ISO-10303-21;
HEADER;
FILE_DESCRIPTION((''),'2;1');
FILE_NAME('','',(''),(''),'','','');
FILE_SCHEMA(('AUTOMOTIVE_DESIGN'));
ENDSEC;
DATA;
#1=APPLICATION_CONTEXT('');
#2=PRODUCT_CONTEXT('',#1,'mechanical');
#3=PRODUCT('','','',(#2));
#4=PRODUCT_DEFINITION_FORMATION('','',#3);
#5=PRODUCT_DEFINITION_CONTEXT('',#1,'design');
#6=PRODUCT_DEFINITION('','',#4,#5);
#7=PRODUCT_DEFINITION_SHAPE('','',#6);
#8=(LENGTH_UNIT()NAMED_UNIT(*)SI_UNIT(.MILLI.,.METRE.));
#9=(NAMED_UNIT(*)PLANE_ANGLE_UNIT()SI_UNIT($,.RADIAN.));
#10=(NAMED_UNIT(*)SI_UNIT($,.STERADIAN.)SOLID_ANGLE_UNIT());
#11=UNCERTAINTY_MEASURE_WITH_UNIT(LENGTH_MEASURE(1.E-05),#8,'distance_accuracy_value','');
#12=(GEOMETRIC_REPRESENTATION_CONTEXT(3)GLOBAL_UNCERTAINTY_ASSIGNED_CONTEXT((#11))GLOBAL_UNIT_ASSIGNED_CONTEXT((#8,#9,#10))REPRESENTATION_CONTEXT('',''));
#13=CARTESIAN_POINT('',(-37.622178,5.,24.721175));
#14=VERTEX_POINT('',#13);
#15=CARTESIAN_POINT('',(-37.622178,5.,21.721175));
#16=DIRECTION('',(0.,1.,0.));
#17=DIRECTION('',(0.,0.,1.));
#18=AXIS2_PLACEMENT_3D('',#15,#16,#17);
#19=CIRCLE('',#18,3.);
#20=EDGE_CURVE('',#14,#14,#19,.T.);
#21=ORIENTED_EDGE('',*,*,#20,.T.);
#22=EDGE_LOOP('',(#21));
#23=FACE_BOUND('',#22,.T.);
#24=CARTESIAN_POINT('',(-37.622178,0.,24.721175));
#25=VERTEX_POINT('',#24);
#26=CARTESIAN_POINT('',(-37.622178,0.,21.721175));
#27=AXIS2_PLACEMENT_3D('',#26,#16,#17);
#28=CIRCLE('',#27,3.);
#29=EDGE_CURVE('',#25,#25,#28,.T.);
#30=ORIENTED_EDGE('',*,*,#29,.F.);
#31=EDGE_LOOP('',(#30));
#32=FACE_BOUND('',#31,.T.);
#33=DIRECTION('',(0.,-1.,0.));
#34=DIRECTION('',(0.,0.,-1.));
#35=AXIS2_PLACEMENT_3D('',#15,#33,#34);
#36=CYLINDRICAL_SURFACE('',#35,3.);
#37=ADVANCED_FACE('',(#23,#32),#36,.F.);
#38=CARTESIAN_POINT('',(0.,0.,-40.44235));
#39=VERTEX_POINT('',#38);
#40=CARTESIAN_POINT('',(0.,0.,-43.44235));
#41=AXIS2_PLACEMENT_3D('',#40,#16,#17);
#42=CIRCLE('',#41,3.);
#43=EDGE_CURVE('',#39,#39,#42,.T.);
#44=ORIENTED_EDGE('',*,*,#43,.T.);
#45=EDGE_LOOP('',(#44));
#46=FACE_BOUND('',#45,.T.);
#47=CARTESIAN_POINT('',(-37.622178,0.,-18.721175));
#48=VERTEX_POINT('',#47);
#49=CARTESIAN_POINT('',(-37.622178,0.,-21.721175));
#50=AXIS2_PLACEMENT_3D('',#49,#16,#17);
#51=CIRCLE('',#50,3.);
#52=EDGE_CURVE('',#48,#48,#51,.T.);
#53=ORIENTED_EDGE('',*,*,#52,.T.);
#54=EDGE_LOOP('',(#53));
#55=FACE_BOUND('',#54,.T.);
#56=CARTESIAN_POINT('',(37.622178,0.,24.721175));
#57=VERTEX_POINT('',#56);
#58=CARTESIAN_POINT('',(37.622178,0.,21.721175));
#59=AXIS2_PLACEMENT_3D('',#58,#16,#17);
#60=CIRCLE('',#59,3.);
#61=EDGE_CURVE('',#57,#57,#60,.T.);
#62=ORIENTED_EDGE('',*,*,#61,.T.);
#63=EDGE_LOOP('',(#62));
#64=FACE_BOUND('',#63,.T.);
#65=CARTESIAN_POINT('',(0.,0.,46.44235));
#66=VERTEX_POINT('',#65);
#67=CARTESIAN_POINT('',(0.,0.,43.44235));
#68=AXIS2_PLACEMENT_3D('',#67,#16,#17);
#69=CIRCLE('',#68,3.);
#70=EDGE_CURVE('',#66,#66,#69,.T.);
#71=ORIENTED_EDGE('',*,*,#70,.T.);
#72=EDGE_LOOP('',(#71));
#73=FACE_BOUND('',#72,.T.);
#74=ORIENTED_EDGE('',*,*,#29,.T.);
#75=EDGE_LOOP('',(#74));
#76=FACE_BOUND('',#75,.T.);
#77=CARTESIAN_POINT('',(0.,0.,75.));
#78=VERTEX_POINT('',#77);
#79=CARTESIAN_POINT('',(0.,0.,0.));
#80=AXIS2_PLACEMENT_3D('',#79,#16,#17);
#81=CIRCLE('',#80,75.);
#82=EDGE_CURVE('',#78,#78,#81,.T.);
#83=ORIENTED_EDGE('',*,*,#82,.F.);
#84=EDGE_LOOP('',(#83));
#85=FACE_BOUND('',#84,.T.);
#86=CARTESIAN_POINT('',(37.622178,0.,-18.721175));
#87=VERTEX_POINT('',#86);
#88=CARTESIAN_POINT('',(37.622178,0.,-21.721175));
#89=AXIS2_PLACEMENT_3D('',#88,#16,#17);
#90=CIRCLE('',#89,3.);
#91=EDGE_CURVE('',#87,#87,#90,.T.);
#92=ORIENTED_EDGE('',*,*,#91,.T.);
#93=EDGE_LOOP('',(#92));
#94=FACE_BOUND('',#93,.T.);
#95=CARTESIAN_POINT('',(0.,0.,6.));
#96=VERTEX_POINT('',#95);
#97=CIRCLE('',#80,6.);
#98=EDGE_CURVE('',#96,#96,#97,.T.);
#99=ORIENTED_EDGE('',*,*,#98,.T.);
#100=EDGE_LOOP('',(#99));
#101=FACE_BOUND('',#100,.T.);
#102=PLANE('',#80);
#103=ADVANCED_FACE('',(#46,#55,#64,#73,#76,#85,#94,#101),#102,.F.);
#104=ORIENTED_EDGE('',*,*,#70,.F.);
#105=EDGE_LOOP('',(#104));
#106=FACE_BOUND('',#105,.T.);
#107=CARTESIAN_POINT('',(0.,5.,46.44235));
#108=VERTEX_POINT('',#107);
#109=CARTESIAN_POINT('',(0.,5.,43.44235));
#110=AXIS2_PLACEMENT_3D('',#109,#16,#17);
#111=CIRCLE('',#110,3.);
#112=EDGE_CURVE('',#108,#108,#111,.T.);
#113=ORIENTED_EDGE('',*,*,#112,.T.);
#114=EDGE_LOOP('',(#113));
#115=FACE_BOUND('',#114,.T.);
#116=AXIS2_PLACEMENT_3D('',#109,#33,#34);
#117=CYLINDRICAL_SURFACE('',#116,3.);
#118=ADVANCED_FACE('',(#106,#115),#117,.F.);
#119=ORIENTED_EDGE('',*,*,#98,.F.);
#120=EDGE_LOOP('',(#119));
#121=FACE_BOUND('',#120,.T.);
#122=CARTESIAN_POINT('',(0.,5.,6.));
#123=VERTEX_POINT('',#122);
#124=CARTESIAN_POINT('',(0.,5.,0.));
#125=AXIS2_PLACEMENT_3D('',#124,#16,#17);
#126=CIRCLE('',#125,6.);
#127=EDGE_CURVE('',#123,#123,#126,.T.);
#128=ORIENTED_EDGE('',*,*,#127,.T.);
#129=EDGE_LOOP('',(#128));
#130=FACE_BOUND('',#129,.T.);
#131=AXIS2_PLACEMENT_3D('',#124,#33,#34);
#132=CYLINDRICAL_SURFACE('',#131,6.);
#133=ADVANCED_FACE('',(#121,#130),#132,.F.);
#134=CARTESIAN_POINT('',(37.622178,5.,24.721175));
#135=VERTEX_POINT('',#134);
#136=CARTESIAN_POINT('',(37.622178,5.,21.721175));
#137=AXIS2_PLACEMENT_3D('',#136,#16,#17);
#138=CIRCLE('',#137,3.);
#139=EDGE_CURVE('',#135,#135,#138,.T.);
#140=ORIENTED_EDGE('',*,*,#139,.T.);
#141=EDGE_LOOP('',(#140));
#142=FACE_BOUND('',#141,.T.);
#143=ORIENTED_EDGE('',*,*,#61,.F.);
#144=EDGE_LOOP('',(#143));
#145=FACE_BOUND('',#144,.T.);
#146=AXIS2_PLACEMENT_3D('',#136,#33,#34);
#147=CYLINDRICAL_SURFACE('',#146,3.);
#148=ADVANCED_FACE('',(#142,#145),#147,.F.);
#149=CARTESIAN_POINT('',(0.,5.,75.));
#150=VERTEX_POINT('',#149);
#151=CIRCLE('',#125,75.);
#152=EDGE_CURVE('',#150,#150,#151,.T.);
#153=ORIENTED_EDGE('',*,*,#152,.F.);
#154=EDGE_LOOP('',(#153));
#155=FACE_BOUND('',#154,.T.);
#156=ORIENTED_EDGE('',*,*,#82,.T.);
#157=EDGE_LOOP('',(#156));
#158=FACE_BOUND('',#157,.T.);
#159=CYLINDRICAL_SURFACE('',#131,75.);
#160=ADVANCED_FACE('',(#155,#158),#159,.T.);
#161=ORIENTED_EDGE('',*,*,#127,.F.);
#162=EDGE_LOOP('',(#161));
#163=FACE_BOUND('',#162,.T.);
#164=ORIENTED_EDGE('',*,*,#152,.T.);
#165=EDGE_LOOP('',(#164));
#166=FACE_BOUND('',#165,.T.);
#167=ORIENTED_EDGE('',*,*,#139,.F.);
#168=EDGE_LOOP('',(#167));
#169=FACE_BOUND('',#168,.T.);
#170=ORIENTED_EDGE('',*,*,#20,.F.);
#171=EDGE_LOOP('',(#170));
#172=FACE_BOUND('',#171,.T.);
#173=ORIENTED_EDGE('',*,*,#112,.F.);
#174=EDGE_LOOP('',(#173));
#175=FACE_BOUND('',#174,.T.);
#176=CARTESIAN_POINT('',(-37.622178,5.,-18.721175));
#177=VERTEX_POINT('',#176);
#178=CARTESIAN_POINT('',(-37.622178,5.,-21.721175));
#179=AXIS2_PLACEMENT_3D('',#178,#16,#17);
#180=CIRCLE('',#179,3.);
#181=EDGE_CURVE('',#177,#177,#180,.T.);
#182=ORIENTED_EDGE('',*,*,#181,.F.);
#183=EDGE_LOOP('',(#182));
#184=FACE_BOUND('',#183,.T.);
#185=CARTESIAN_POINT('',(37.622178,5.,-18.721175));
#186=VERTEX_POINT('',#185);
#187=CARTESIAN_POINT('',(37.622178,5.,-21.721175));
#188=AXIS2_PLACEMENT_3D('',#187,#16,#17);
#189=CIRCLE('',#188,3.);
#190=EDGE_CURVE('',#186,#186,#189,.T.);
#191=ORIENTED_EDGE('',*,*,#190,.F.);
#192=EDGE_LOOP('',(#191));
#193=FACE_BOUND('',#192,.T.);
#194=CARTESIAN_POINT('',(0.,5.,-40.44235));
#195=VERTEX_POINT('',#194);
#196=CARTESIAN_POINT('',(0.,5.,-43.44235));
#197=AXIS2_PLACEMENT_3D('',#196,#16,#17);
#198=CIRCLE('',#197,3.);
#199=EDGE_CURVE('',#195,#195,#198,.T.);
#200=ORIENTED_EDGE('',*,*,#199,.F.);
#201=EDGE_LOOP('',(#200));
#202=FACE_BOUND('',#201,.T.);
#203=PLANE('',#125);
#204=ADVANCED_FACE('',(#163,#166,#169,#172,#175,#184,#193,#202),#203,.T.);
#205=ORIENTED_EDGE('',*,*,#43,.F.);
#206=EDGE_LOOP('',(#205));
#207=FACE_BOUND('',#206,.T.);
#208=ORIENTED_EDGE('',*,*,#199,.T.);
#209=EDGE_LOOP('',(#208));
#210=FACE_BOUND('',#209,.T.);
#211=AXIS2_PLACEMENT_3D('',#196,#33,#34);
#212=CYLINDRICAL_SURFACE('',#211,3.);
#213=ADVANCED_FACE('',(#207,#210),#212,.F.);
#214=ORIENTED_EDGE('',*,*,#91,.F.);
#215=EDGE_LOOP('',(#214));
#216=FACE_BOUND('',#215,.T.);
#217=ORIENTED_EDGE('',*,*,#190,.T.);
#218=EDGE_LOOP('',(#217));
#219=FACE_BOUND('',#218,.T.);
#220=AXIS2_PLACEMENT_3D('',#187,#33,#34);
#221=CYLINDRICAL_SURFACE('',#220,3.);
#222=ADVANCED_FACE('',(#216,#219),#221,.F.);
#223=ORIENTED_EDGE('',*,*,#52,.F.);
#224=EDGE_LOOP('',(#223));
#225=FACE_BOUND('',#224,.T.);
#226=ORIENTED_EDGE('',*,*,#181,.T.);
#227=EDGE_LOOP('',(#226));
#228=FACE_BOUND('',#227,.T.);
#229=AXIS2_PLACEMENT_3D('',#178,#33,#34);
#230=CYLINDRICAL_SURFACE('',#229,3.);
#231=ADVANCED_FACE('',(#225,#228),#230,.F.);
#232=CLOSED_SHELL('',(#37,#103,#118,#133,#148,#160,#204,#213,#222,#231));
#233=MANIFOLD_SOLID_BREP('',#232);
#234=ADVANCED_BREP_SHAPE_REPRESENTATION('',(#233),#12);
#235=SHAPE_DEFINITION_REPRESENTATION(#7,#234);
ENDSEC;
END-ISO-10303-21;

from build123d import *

# Parameters (mm, degrees)
SKETCH1_R           = 75
SKETCH1_R_2         = 3
SKETCH1_R_3         = 6
BOSS_EXTRUDE1_DEPTH = 5


with BuildPart() as part:
    # Sketch1 → Boss-Extrude1 (new body)
    with BuildSketch(Plane(origin=(0, 0, 0), x_dir=(1, 0, 0), z_dir=(0, 1, 0))):
        with Locations(Location((0, 0, 0), (0, 0, 270))):
            Circle(SKETCH1_R)
        with Locations(Location((0, 43.442349597, 0), (0, 0, 270))):
            Circle(SKETCH1_R_2, mode=Mode.SUBTRACT)
        with Locations(Location((37.622178351, 21.721174798, 0), (0, 0, 270))):
            Circle(SKETCH1_R_2, mode=Mode.SUBTRACT)
        with Locations(Location((37.622178351, -21.721174798, 0), (0, 0, 270))):
            Circle(SKETCH1_R_2, mode=Mode.SUBTRACT)
        with Locations(Location((0, -43.442349597, 0), (0, 0, 270))):
            Circle(SKETCH1_R_2, mode=Mode.SUBTRACT)
        with Locations(Location((-37.622178351, -21.721174798, 0), (0, 0, 270))):
            Circle(SKETCH1_R_2, mode=Mode.SUBTRACT)
        with Locations(Location((-37.622178351, 21.721174798, 0), (0, 0, 270))):
            Circle(SKETCH1_R_2, mode=Mode.SUBTRACT)
        with Locations(Location((0, 0, 0), (0, 0, 270))):
            Circle(SKETCH1_R_3, mode=Mode.SUBTRACT)
    extrude(amount=BOSS_EXTRUDE1_DEPTH)


solid = part.part
